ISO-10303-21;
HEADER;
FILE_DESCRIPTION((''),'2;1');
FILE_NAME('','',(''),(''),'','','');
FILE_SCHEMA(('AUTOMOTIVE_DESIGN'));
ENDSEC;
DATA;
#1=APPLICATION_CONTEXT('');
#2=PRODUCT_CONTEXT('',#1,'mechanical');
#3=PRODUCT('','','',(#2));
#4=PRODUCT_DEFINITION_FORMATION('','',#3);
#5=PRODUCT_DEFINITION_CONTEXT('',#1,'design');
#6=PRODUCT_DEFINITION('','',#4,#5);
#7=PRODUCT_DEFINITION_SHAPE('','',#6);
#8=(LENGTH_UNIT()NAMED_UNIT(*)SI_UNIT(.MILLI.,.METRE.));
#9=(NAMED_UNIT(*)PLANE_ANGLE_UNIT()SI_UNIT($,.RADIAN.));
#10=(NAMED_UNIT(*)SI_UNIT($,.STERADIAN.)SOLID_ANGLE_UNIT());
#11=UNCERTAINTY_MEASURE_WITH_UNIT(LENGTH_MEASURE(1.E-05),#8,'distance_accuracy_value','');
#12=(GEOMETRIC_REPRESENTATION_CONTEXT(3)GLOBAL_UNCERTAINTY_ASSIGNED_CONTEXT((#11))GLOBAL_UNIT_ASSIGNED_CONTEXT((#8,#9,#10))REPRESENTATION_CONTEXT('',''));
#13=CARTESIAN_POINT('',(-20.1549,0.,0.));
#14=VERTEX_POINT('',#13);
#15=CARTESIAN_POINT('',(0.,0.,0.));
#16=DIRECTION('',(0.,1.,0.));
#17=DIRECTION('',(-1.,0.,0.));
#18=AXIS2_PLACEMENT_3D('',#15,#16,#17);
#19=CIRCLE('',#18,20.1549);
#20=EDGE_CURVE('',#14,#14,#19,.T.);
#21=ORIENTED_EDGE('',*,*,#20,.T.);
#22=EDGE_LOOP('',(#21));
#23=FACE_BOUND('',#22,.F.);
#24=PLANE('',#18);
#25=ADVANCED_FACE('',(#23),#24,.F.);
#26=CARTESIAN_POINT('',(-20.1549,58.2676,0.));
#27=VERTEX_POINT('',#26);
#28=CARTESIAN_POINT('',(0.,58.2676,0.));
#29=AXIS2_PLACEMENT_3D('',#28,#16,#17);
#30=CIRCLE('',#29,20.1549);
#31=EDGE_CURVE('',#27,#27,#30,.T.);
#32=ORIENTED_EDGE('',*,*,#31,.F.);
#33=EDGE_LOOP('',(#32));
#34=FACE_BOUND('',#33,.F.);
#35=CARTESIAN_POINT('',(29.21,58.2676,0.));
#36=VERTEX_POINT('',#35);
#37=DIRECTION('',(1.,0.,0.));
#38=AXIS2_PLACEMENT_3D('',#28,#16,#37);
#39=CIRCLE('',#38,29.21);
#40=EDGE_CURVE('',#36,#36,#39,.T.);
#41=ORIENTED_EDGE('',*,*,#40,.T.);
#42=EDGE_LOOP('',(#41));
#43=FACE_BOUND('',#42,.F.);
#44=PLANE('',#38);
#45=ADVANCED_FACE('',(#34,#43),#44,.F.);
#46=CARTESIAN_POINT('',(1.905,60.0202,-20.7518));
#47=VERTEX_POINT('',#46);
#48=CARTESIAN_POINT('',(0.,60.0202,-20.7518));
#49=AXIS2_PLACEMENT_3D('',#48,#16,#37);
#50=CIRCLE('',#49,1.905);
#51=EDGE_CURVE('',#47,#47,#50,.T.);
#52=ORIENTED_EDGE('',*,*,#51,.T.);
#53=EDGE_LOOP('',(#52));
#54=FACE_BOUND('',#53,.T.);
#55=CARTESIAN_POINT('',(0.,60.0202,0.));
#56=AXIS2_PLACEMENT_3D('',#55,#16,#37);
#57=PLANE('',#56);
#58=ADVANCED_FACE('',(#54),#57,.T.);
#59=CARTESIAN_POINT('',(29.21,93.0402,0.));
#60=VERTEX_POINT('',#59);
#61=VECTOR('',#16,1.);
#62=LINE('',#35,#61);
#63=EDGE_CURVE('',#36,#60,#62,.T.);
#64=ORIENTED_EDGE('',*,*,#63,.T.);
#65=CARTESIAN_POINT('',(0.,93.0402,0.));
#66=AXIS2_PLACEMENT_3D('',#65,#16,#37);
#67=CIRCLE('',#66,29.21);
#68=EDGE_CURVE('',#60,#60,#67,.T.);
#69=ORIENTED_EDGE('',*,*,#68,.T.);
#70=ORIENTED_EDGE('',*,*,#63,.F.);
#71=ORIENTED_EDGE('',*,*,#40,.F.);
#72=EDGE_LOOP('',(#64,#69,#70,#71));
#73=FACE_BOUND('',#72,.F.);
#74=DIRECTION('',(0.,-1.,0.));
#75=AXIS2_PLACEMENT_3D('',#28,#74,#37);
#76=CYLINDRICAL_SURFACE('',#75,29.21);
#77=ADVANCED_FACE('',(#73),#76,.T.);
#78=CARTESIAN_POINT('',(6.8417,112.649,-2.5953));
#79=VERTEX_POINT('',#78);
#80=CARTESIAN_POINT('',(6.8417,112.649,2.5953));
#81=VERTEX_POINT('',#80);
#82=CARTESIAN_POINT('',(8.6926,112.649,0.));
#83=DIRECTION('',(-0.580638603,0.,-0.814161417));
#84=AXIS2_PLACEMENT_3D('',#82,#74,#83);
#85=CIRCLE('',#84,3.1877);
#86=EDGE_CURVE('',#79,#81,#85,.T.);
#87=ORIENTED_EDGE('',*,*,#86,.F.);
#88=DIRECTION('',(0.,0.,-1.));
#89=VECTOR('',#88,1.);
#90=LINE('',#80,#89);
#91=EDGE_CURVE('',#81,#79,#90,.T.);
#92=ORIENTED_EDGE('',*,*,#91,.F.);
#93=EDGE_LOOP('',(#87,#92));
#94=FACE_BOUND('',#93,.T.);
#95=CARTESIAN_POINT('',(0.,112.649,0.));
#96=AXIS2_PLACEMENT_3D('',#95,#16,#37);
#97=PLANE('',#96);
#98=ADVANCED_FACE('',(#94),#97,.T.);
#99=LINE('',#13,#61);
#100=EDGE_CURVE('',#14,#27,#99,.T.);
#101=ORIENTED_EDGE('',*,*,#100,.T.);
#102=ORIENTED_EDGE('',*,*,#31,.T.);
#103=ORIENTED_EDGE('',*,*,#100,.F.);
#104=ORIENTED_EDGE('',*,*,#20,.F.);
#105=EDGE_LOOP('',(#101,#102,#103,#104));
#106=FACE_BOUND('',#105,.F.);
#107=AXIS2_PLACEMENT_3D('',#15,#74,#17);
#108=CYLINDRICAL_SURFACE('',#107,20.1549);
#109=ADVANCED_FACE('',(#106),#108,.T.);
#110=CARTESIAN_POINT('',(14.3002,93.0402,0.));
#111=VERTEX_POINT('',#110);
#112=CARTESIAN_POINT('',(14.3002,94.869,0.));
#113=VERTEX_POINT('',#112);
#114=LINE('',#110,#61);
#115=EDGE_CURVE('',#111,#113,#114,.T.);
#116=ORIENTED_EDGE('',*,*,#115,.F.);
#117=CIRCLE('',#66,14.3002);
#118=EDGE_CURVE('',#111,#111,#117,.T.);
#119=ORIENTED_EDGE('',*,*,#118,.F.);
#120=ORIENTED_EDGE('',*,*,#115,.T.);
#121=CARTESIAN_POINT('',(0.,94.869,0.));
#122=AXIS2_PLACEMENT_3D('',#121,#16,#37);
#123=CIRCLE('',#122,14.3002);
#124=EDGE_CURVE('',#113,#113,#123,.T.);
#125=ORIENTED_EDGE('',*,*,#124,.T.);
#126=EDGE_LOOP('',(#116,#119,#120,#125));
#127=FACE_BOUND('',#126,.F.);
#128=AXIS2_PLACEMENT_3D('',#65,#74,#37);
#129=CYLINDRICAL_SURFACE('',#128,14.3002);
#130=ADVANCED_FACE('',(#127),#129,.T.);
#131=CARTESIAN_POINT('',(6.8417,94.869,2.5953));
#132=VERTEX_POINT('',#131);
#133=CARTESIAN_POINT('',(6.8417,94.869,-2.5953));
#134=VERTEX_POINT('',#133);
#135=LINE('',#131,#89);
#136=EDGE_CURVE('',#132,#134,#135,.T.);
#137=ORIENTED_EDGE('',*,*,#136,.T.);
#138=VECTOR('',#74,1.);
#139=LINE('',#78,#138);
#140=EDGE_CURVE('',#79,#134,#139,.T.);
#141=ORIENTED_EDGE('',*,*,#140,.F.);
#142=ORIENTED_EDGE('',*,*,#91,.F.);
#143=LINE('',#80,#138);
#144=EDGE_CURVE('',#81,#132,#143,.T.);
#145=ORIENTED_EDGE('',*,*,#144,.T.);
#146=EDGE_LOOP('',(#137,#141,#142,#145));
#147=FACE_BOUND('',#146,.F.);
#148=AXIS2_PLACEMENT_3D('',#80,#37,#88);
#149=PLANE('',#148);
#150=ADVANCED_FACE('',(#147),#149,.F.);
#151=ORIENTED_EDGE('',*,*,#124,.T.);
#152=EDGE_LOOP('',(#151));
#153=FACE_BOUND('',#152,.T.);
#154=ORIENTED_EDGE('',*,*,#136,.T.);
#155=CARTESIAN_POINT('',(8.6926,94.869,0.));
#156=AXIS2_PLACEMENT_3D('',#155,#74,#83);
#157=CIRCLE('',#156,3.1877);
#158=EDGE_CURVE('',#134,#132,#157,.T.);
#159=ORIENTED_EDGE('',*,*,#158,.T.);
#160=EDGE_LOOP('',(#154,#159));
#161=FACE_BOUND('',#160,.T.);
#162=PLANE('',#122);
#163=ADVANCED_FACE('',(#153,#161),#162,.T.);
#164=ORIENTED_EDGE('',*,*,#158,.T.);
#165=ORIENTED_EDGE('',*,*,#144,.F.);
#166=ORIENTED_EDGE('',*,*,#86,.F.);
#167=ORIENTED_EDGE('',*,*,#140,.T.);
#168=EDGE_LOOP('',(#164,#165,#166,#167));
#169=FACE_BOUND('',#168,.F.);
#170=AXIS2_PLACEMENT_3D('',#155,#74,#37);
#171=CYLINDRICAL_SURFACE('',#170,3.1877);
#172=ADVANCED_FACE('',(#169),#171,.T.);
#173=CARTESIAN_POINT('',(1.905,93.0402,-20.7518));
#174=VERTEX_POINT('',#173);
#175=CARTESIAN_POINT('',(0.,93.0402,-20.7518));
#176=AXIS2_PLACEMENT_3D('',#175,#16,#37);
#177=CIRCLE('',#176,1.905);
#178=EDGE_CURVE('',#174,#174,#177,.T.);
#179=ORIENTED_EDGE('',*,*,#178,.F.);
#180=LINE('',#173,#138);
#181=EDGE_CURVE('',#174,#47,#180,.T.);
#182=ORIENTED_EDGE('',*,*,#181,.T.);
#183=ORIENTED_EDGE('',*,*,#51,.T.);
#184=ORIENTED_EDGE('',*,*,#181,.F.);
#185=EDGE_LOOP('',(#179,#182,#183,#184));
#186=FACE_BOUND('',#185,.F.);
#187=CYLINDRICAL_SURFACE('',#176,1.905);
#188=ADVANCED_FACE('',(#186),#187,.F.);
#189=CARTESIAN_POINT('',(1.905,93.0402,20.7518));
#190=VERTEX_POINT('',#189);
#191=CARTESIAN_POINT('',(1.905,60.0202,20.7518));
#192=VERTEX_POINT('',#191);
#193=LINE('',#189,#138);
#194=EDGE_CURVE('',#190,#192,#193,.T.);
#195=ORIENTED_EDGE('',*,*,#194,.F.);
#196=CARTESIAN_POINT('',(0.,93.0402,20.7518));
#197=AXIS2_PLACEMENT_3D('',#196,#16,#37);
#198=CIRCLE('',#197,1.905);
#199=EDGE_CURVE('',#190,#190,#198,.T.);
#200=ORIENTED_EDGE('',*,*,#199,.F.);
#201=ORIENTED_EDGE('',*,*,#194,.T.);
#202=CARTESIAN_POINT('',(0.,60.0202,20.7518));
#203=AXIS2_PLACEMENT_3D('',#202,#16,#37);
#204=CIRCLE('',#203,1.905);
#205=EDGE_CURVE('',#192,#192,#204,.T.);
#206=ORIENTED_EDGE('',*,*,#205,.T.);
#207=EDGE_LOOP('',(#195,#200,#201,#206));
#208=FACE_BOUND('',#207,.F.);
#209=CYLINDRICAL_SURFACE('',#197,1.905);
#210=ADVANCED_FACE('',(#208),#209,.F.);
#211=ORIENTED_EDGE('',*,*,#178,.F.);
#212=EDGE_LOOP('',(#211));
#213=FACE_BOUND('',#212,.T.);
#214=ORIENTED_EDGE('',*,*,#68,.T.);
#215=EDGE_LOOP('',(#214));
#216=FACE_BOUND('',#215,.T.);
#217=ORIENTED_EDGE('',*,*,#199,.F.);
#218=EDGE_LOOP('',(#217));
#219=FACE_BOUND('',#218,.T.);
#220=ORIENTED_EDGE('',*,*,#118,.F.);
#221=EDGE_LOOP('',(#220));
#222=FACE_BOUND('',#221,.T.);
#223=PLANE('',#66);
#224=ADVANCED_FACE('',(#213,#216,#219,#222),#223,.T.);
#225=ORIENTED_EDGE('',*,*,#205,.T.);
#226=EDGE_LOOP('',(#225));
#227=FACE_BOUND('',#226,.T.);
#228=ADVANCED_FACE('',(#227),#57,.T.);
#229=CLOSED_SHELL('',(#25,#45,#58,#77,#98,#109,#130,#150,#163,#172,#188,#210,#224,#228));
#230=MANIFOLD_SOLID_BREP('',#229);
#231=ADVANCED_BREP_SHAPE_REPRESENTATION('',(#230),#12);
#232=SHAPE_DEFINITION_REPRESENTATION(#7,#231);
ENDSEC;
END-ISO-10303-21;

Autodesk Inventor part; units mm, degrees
ref_plane "YZ Plane" through (0, 0, 0) normal (1, 0, 0) x (0, 1, 0)
ref_plane "XZ Plane" through (0, 0, 0) normal (0, 1, 0) x (-1, 0, 0)
ref_plane "XY Plane" through (0, 0, 0) normal (0, 0, 1) x (1, 0, 0)
sketch "Sketch1" plane through (0, 0, 0) normal (0, 1, 0) x (-1, 0, 0)
  circle A0 centre (0, 0) radius 20.1549
  dimension "d0" = 40.3098
extrude "Extrusion1" add sketch "Sketch1" along normal blind 58.2676
sketch "Sketch2" plane through (0, 58.2676, 0) normal (0, 1, 0) x (1, 0, 0)
  circle A0 centre (0, 0) radius 29.21
  dimension "d3" = 58.42
extrude "Extrusion2" add sketch "Sketch2" along normal blind 34.7726
sketch "Sketch3" plane through (0, 93.0402, 0) normal (0, 1, 0) x (1, 0, 0)
  circle A0 centre (0, 0) radius 14.3002
  dimension "d6" = 28.6004
extrude "Extrusion3" add sketch "Sketch3" along normal blind 1.8288
sketch "Sketch4" plane through (0, 93.0402, 0) normal (0, 1, 0) x (1, 0, 0)
  circle A0 centre (0, 20.7518) radius 1.905
  circle A1 centre (0, 0) radius 14.3002 projected
  line L0 (-34.2978, 0) -> (34.9424, 0) construction
  circle A2 centre (0, -20.7518) radius 1.905
  dimension "d9" = 3.81
  dimension "d10" = 4.5466
extrude "Extrusion4" cut sketch "Sketch4" against normal blind 33.02 contours A0 | A2
sketch "Sketch5" plane through (0, 94.869, 0) normal (0, 1, 0) x (1, 0, 0)
  circle A0 centre (8.6926, 0) radius 3.1877
  point P0 (0, 0)
  dimension "d13" = 6.3754
  dimension "d14" = 8.6926
extrude "Extrusion5" add sketch "Sketch5" along normal blind 17.78
sketch "Sketch6" plane through (8.6926, 112.649, 0) normal (0, 1, 0) x (1, 0, 0)
  circle A0 centre (0, 0) radius 3.1877 projected
  line L0 (-1.8509, -2.5953) -> (-1.8509, 2.5953)
  arc A1 (-1.8509, 2.5953) -> (-1.8509, -2.5953) centre (0, 0) ccw
  point P0 (-8.6926, 0)
extrude "Extrusion6" cut sketch "Sketch6" against normal blind 17.78 contours L0 A0 picked at (-2.2965, 0)
properties part number "Autofeeder motor"
